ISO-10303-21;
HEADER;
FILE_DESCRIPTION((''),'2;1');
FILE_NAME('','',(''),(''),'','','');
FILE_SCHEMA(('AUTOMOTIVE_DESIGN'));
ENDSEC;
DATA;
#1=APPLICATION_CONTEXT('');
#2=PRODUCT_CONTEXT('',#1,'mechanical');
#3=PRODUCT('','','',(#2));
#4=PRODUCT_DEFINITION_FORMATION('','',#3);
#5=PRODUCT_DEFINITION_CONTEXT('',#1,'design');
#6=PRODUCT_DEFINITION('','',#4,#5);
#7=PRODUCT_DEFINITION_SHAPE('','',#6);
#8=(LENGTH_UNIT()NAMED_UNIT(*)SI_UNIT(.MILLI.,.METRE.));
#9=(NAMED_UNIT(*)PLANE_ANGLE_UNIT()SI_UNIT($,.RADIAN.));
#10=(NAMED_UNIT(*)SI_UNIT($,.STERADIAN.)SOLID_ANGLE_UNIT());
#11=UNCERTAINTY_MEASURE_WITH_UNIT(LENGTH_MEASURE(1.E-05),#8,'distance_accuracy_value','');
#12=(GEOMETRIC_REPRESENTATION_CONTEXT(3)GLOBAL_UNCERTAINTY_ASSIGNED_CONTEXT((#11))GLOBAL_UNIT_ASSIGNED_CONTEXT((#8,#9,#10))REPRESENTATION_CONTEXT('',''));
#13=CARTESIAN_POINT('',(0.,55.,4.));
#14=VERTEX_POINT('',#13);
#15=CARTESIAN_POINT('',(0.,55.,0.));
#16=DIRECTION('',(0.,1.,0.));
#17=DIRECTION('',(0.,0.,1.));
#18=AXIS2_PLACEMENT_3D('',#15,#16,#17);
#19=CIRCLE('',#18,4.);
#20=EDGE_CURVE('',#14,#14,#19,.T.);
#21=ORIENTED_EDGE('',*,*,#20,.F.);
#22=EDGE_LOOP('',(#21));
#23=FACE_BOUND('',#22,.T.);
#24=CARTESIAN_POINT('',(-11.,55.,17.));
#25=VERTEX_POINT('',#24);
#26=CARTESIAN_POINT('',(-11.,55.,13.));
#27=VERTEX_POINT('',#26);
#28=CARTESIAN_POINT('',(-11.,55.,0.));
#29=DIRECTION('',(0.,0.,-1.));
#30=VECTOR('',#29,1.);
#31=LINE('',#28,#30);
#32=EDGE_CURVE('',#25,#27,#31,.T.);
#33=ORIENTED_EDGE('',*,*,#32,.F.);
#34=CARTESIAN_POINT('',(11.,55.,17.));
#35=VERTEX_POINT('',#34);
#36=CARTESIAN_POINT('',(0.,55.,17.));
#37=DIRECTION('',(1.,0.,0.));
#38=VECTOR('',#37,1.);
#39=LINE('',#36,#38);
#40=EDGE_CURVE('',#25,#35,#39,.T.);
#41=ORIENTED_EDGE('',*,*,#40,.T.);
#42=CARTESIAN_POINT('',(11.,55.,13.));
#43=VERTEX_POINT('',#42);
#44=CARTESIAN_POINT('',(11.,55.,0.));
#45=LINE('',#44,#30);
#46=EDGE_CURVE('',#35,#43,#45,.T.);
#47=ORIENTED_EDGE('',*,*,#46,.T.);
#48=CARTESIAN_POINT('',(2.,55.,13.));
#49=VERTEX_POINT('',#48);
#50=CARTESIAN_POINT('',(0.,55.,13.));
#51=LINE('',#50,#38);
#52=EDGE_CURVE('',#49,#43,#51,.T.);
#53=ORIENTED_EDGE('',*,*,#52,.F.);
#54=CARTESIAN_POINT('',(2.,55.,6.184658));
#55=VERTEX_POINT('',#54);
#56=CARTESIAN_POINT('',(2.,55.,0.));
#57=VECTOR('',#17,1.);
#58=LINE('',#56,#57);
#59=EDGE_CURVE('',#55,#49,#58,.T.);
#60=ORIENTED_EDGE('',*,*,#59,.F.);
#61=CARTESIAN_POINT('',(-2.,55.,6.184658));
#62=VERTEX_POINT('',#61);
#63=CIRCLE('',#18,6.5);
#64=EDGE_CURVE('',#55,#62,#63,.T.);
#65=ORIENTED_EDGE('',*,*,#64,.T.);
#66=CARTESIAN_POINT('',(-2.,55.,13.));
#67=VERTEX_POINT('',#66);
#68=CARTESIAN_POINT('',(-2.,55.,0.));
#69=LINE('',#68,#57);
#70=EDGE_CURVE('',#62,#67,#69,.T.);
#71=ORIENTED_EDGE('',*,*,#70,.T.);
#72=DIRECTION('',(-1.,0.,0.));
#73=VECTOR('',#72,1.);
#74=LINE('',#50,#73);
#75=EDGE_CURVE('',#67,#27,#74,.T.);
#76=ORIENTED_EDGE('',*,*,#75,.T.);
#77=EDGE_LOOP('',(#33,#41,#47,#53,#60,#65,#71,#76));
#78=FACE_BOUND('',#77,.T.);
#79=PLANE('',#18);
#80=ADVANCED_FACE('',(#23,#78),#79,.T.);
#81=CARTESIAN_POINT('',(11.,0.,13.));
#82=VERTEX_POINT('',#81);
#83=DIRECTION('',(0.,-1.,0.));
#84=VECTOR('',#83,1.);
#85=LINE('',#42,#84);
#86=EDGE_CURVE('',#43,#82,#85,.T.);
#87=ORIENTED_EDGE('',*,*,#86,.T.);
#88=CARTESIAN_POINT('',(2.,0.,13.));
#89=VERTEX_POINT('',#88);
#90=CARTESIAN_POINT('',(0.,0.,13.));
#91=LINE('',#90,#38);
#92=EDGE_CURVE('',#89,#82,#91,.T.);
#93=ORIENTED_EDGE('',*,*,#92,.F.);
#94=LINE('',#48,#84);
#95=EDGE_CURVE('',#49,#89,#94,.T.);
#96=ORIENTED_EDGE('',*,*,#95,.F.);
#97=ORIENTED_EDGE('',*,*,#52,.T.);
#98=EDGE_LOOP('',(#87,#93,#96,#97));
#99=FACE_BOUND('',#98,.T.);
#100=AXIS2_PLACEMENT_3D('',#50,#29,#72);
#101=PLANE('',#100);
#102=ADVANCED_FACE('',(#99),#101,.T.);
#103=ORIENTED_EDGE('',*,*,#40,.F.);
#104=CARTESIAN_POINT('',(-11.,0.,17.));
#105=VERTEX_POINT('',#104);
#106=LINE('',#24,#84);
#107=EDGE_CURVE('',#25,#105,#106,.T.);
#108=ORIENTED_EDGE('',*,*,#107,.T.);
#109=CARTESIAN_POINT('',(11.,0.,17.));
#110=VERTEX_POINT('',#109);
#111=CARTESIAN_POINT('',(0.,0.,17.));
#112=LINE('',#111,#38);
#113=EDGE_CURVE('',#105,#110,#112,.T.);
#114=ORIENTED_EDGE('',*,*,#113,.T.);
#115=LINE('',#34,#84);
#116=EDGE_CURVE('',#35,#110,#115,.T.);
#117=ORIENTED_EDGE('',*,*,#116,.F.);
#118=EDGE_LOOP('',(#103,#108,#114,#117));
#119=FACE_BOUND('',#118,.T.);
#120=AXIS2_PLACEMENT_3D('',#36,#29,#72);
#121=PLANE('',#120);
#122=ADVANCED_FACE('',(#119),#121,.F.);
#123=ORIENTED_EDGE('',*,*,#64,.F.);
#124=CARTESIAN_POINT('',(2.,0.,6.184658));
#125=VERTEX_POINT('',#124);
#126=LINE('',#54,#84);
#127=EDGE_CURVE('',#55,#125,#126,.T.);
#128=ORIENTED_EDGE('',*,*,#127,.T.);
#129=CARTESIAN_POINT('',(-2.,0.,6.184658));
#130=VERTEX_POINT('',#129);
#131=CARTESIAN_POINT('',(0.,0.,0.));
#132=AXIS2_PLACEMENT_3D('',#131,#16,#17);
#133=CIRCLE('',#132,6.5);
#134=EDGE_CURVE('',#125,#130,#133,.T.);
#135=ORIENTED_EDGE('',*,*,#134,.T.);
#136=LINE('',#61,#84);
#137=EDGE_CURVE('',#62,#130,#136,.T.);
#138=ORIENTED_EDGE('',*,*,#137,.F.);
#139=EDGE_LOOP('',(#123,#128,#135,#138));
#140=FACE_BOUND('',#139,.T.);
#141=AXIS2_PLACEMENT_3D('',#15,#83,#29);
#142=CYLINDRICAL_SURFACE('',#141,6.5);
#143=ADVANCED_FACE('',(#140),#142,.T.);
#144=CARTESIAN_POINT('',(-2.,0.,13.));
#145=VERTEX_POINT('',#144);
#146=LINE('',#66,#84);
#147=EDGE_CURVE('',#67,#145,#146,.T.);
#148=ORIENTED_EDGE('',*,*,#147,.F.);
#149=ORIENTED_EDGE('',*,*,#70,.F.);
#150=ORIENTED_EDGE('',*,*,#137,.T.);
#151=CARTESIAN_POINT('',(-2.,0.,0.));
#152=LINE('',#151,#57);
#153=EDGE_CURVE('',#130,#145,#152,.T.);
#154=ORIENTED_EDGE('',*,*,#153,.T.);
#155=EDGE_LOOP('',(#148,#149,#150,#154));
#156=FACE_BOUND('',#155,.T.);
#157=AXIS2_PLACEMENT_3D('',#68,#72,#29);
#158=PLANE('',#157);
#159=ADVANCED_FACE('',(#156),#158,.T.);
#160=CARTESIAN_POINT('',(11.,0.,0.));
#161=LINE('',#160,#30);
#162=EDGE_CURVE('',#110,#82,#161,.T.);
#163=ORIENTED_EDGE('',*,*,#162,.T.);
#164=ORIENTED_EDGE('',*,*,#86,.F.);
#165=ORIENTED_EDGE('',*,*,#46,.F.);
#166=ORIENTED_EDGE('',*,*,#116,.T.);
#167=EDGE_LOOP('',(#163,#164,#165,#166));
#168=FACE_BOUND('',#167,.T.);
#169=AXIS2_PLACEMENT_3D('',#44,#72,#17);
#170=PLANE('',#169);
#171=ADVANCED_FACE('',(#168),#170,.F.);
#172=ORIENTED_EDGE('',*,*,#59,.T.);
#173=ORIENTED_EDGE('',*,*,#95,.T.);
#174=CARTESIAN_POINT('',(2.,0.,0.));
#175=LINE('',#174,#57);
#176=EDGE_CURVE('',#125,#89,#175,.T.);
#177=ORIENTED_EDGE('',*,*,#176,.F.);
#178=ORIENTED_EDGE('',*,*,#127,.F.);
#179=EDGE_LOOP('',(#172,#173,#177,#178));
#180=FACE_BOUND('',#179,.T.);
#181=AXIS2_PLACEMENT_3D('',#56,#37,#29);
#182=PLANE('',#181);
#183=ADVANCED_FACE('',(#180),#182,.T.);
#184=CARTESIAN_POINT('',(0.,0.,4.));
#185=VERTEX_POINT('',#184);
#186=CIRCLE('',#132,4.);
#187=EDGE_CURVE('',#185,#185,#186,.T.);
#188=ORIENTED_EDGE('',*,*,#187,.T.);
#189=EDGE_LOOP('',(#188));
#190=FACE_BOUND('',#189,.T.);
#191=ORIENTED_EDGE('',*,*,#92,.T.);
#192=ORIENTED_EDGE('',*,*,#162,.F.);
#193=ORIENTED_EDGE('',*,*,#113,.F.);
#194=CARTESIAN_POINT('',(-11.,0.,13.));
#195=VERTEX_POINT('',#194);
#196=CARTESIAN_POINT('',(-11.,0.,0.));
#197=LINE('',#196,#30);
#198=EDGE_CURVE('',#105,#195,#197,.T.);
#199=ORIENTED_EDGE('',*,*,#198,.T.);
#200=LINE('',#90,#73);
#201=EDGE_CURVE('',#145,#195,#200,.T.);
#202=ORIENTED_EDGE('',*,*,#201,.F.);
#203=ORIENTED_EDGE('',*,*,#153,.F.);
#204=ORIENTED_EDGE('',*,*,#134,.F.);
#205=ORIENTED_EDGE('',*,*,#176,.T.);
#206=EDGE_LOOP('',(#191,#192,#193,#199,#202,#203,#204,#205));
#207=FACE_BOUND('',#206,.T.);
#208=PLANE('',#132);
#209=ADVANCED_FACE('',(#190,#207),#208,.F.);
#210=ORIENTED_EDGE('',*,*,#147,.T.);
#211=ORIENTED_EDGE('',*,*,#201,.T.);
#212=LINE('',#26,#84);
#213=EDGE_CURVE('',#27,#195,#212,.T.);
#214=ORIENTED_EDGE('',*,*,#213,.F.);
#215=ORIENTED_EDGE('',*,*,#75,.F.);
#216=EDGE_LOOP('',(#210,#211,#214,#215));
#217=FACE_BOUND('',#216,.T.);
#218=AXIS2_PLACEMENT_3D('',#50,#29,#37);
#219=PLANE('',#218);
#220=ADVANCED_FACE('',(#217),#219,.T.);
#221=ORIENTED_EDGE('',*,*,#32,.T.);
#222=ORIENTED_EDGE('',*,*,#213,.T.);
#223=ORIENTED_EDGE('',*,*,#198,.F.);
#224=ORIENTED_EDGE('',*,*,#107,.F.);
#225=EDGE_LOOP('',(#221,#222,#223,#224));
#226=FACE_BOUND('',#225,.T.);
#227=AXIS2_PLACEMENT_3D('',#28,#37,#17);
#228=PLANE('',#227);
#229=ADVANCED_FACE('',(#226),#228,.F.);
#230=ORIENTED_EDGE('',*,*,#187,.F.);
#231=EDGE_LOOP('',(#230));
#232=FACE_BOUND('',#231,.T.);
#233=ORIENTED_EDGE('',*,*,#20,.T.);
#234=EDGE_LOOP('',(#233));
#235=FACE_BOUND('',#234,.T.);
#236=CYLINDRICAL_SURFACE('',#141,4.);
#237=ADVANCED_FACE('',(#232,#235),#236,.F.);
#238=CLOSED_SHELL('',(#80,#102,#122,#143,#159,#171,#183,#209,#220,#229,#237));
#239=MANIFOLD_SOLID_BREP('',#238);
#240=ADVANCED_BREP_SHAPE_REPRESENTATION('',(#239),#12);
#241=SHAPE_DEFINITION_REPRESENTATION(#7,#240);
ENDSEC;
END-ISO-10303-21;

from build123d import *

# Parameters (mm, degrees)
SKETCH_1_W      = 9
SKETCH_1_H      = 4
EXTRUDE_1_DEPTH = 55


with BuildPart() as part:
    # Эскиз1 → Бобышка-Вытянуть1 (new body)
    with BuildSketch(Plane(origin=(0, 0, 0), x_dir=(1, 0, 0), z_dir=(0, 1, 0))):
        with BuildLine():
            ThreePointArc((6.5, 0), (4.596194078, 4.596194078), (0, 6.5))
            Line((0, 6.5), (0, 4))
            ThreePointArc((0, 4), (2.828427125, 2.828427125), (4, 0))
            ThreePointArc((4, 0), (3.464101615, -2), (2, -3.464101615))
            Line((2, -3.464101615), (2, -6.184658438))
            ThreePointArc((2, -6.184658438), (5.25594901, -3.824264635), (6.5, 0))
        make_face()
        with BuildLine():
            Line((0, -4), (0, -6.5))
            ThreePointArc((0, -6.5), (1.01235373, -6.420680643), (2, -6.184658438))
            Line((2, -6.184658438), (2, -3.464101615))
            ThreePointArc((2, -3.464101615), (1.03527618, -3.863703305), (0, -4))
        make_face()
        with BuildLine():
            ThreePointArc((2, -6.184658438), (1.01235373, -6.420680643), (0, -6.5))
            Line((0, -6.5), (0, -17))
            Line((0, -17), (2, -17))
            Line((2, -17), (2, -13))
            Line((2, -13), (2, -6.184658438))
        make_face()
        with Locations((6.5, -15)):
            Rectangle(SKETCH_1_W, SKETCH_1_H)
    extrude(amount=EXTRUDE_1_DEPTH)

    # Зеркальное отражение1: part across plane


with BuildPart() as part_1:
    add(part.part)
    add(part.part.mirror(Plane(origin=(0, 55, 0), x_dir=(0, 0, 1), z_dir=(1, 0, 0))))


solid = part_1.part
